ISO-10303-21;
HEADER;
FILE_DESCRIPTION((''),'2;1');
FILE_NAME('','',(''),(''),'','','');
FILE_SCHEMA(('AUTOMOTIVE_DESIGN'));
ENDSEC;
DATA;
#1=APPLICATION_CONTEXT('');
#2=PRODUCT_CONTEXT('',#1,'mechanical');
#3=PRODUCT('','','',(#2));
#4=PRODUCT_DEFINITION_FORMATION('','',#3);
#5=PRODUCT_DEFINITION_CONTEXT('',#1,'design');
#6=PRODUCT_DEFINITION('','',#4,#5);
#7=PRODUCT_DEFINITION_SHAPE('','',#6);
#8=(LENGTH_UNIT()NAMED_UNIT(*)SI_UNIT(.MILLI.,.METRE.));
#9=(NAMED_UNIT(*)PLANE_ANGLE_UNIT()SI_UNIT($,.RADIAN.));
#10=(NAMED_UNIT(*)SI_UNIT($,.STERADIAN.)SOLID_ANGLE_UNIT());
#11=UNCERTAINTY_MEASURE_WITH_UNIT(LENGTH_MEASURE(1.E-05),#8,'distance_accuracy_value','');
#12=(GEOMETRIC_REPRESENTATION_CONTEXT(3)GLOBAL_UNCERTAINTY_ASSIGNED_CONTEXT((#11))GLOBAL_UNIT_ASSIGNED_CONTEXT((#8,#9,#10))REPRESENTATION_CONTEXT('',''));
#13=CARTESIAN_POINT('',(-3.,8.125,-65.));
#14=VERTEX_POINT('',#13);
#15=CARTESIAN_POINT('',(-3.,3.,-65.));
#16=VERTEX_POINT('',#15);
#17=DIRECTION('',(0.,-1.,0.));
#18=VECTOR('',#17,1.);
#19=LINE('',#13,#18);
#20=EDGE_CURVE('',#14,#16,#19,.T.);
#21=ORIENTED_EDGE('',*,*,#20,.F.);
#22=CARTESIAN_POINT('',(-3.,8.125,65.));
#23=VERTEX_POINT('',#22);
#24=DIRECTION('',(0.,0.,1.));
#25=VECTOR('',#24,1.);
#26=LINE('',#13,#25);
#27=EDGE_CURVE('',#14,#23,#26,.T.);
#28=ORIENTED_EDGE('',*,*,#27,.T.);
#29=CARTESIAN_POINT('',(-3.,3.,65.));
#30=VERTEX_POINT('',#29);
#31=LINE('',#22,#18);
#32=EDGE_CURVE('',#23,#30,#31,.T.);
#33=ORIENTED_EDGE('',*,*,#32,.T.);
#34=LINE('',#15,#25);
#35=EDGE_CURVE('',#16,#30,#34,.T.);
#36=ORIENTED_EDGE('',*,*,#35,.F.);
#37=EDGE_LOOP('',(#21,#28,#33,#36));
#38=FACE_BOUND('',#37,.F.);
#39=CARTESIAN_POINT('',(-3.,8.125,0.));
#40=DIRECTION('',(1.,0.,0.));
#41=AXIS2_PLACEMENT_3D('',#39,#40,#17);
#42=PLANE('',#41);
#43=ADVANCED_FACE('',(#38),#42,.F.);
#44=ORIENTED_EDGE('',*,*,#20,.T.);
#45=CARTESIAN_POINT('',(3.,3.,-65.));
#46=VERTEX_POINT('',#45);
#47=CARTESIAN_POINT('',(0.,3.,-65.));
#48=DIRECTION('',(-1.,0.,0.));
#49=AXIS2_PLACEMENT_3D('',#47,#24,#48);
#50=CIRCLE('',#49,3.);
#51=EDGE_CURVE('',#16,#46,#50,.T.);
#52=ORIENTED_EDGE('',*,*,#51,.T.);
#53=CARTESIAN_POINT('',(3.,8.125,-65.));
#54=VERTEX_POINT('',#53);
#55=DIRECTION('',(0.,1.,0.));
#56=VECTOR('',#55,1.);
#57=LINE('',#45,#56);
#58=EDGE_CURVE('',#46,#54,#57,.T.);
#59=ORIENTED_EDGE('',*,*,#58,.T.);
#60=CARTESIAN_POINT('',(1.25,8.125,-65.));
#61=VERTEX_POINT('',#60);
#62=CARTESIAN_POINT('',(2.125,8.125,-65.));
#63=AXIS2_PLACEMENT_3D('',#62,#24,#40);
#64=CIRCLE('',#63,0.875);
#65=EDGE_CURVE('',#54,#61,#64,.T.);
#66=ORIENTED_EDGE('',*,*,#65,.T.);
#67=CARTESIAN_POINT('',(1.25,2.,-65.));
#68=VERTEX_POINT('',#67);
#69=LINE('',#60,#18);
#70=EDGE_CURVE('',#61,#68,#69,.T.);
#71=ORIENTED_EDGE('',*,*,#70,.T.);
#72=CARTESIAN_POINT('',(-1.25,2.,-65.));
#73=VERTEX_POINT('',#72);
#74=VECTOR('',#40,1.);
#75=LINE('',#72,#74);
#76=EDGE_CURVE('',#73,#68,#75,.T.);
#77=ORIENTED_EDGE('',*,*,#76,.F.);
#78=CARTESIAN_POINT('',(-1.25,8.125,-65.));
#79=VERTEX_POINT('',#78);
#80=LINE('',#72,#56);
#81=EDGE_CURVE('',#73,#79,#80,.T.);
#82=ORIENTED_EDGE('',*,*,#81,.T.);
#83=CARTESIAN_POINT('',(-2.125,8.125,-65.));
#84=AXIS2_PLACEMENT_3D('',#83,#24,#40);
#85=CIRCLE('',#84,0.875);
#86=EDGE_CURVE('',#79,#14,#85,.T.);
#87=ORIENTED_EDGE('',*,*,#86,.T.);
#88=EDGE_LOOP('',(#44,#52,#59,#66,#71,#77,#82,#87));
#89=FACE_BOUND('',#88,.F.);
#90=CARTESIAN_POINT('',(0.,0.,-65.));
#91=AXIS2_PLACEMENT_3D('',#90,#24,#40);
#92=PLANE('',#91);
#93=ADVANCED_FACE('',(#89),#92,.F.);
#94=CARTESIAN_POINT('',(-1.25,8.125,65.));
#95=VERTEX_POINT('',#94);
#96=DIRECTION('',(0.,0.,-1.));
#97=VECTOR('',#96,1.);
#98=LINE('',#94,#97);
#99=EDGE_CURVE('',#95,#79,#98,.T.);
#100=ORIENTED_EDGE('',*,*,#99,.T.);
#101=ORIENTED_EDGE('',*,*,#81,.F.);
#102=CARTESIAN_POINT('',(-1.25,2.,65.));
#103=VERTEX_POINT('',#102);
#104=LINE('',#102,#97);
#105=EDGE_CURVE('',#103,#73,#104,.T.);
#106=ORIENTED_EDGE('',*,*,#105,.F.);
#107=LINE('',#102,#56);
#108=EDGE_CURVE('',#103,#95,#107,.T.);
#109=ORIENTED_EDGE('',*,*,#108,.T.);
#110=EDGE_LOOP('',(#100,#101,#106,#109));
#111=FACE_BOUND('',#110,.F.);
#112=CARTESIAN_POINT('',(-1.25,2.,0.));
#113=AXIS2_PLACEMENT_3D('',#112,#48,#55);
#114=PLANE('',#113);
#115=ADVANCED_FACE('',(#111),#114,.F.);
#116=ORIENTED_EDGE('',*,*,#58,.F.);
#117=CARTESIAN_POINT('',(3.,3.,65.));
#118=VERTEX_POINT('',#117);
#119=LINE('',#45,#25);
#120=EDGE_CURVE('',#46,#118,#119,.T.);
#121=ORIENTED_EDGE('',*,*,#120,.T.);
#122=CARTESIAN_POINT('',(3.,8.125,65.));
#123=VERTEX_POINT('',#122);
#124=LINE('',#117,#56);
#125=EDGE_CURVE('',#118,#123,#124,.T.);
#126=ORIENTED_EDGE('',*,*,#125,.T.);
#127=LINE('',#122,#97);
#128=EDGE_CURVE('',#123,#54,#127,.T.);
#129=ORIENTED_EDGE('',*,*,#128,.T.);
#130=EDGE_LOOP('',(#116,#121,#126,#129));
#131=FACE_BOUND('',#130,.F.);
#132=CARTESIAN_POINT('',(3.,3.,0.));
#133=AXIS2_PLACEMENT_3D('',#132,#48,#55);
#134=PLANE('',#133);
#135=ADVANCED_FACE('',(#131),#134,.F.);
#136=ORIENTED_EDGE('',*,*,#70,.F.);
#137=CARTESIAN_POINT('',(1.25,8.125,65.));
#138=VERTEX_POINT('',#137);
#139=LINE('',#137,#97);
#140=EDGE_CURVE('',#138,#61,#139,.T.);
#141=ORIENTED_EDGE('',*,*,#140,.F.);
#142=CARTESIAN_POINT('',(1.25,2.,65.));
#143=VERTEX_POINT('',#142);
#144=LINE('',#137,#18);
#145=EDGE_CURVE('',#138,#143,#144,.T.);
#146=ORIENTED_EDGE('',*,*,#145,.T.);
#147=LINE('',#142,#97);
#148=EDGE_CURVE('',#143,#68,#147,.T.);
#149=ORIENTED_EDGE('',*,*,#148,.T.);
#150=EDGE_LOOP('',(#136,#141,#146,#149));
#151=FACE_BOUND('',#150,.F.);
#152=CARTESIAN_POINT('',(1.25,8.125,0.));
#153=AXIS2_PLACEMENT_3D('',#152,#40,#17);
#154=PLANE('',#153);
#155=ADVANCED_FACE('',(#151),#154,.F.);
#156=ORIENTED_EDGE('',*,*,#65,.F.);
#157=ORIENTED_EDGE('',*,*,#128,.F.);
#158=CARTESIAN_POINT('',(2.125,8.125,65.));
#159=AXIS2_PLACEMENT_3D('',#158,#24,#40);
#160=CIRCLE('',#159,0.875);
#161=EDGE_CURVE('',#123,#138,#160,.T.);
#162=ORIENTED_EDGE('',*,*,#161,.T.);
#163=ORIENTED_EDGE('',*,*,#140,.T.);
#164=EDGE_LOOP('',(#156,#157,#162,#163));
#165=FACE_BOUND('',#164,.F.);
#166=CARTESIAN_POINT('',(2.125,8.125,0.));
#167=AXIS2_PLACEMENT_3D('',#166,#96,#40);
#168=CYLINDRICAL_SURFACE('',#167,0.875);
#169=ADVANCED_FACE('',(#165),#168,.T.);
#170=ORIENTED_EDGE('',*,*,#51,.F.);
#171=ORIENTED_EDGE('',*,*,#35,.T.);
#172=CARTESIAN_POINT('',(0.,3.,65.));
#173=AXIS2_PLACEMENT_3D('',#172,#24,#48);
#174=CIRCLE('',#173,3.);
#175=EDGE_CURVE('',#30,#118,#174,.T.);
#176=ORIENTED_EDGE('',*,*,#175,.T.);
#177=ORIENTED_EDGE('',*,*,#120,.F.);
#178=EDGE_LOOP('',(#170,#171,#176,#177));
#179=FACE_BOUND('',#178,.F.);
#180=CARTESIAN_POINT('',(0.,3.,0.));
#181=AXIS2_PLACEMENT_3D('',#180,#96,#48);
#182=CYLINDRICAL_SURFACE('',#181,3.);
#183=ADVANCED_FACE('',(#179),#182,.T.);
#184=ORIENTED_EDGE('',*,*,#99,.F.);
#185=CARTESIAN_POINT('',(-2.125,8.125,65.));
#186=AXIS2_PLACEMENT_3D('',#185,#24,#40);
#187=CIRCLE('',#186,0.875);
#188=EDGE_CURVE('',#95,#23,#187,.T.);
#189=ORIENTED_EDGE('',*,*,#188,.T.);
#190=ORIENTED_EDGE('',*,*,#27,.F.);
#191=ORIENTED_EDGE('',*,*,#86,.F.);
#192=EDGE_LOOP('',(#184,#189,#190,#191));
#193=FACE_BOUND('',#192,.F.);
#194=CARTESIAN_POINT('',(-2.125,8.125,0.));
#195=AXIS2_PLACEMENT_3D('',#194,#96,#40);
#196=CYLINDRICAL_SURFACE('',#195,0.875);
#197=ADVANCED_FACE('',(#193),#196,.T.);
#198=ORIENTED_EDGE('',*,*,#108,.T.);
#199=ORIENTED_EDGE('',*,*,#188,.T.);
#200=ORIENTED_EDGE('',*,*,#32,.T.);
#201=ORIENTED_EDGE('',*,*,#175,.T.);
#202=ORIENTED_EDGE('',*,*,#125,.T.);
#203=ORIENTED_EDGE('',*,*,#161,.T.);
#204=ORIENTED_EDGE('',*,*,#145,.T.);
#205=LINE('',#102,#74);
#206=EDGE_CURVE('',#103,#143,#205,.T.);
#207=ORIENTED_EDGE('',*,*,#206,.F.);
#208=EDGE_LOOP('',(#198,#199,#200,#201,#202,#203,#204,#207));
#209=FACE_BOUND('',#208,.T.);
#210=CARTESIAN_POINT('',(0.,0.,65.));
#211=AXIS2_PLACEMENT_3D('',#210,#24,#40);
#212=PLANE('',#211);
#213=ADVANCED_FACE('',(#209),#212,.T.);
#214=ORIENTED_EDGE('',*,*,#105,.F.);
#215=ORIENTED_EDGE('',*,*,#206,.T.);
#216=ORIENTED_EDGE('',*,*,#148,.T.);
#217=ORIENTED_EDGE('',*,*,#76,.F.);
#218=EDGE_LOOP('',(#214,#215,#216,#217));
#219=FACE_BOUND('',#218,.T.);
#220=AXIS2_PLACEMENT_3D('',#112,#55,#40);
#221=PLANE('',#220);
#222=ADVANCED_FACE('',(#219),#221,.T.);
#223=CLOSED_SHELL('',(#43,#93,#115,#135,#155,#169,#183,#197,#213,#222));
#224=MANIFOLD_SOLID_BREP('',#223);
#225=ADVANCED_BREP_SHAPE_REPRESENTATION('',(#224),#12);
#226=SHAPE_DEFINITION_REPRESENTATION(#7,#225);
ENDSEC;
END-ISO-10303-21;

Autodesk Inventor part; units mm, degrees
ref_plane "YZ Plane" through (0, 0, 0) normal (1, 0, 0) x (0, 1, 0)
ref_plane "XZ Plane" through (0, 0, 0) normal (0, 1, 0) x (-1, 0, 0)
ref_plane "XY Plane" through (0, 0, 0) normal (0, 0, 1) x (1, 0, 0)
sketch "草圖1" plane through (0, 0, 0) normal (0, 0, 1) x (1, 0, 0)
  line L0 (0, 0) -> (-19.4073, 0) construction
  line L1 (0, 0) -> (0, 21.4127) construction
  line L2 (-3, 8.125) -> (-3, 3)
  arc A0 (-3, 3) -> (3, 3) centre (0, 3) ccw
  line L3 (3, 3) -> (3, 8.125)
  line L4 (1.25, 8.125) -> (1.25, 2)
  line L5 (-1.25, 2) -> (-1.25, 8.125)
  line L6 (-3, 9.712) -> (-3, 6.8385) construction
  line L7 (3, 9.712) -> (3, 6.8385) construction
  line L8 (-4.0339, 9) -> (4.2037, 9) construction
  line L9 (-1.25, 2) -> (1.25, 2)
  arc A1 (-1.25, 8.125) -> (-3, 8.125) centre (-2.125, 8.125) ccw
  arc A2 (3, 8.125) -> (1.25, 8.125) centre (2.125, 8.125) ccw
  dimension "d0" = 6
  dimension "d2" = 9
  dimension "d3" = 2
  dimension "d4" = 2.5
  dimension "d6" = 6
extrude "擠出1" add sketch "草圖1" along normal mid plane 130
properties part number "0 零件" material "橡膠"
